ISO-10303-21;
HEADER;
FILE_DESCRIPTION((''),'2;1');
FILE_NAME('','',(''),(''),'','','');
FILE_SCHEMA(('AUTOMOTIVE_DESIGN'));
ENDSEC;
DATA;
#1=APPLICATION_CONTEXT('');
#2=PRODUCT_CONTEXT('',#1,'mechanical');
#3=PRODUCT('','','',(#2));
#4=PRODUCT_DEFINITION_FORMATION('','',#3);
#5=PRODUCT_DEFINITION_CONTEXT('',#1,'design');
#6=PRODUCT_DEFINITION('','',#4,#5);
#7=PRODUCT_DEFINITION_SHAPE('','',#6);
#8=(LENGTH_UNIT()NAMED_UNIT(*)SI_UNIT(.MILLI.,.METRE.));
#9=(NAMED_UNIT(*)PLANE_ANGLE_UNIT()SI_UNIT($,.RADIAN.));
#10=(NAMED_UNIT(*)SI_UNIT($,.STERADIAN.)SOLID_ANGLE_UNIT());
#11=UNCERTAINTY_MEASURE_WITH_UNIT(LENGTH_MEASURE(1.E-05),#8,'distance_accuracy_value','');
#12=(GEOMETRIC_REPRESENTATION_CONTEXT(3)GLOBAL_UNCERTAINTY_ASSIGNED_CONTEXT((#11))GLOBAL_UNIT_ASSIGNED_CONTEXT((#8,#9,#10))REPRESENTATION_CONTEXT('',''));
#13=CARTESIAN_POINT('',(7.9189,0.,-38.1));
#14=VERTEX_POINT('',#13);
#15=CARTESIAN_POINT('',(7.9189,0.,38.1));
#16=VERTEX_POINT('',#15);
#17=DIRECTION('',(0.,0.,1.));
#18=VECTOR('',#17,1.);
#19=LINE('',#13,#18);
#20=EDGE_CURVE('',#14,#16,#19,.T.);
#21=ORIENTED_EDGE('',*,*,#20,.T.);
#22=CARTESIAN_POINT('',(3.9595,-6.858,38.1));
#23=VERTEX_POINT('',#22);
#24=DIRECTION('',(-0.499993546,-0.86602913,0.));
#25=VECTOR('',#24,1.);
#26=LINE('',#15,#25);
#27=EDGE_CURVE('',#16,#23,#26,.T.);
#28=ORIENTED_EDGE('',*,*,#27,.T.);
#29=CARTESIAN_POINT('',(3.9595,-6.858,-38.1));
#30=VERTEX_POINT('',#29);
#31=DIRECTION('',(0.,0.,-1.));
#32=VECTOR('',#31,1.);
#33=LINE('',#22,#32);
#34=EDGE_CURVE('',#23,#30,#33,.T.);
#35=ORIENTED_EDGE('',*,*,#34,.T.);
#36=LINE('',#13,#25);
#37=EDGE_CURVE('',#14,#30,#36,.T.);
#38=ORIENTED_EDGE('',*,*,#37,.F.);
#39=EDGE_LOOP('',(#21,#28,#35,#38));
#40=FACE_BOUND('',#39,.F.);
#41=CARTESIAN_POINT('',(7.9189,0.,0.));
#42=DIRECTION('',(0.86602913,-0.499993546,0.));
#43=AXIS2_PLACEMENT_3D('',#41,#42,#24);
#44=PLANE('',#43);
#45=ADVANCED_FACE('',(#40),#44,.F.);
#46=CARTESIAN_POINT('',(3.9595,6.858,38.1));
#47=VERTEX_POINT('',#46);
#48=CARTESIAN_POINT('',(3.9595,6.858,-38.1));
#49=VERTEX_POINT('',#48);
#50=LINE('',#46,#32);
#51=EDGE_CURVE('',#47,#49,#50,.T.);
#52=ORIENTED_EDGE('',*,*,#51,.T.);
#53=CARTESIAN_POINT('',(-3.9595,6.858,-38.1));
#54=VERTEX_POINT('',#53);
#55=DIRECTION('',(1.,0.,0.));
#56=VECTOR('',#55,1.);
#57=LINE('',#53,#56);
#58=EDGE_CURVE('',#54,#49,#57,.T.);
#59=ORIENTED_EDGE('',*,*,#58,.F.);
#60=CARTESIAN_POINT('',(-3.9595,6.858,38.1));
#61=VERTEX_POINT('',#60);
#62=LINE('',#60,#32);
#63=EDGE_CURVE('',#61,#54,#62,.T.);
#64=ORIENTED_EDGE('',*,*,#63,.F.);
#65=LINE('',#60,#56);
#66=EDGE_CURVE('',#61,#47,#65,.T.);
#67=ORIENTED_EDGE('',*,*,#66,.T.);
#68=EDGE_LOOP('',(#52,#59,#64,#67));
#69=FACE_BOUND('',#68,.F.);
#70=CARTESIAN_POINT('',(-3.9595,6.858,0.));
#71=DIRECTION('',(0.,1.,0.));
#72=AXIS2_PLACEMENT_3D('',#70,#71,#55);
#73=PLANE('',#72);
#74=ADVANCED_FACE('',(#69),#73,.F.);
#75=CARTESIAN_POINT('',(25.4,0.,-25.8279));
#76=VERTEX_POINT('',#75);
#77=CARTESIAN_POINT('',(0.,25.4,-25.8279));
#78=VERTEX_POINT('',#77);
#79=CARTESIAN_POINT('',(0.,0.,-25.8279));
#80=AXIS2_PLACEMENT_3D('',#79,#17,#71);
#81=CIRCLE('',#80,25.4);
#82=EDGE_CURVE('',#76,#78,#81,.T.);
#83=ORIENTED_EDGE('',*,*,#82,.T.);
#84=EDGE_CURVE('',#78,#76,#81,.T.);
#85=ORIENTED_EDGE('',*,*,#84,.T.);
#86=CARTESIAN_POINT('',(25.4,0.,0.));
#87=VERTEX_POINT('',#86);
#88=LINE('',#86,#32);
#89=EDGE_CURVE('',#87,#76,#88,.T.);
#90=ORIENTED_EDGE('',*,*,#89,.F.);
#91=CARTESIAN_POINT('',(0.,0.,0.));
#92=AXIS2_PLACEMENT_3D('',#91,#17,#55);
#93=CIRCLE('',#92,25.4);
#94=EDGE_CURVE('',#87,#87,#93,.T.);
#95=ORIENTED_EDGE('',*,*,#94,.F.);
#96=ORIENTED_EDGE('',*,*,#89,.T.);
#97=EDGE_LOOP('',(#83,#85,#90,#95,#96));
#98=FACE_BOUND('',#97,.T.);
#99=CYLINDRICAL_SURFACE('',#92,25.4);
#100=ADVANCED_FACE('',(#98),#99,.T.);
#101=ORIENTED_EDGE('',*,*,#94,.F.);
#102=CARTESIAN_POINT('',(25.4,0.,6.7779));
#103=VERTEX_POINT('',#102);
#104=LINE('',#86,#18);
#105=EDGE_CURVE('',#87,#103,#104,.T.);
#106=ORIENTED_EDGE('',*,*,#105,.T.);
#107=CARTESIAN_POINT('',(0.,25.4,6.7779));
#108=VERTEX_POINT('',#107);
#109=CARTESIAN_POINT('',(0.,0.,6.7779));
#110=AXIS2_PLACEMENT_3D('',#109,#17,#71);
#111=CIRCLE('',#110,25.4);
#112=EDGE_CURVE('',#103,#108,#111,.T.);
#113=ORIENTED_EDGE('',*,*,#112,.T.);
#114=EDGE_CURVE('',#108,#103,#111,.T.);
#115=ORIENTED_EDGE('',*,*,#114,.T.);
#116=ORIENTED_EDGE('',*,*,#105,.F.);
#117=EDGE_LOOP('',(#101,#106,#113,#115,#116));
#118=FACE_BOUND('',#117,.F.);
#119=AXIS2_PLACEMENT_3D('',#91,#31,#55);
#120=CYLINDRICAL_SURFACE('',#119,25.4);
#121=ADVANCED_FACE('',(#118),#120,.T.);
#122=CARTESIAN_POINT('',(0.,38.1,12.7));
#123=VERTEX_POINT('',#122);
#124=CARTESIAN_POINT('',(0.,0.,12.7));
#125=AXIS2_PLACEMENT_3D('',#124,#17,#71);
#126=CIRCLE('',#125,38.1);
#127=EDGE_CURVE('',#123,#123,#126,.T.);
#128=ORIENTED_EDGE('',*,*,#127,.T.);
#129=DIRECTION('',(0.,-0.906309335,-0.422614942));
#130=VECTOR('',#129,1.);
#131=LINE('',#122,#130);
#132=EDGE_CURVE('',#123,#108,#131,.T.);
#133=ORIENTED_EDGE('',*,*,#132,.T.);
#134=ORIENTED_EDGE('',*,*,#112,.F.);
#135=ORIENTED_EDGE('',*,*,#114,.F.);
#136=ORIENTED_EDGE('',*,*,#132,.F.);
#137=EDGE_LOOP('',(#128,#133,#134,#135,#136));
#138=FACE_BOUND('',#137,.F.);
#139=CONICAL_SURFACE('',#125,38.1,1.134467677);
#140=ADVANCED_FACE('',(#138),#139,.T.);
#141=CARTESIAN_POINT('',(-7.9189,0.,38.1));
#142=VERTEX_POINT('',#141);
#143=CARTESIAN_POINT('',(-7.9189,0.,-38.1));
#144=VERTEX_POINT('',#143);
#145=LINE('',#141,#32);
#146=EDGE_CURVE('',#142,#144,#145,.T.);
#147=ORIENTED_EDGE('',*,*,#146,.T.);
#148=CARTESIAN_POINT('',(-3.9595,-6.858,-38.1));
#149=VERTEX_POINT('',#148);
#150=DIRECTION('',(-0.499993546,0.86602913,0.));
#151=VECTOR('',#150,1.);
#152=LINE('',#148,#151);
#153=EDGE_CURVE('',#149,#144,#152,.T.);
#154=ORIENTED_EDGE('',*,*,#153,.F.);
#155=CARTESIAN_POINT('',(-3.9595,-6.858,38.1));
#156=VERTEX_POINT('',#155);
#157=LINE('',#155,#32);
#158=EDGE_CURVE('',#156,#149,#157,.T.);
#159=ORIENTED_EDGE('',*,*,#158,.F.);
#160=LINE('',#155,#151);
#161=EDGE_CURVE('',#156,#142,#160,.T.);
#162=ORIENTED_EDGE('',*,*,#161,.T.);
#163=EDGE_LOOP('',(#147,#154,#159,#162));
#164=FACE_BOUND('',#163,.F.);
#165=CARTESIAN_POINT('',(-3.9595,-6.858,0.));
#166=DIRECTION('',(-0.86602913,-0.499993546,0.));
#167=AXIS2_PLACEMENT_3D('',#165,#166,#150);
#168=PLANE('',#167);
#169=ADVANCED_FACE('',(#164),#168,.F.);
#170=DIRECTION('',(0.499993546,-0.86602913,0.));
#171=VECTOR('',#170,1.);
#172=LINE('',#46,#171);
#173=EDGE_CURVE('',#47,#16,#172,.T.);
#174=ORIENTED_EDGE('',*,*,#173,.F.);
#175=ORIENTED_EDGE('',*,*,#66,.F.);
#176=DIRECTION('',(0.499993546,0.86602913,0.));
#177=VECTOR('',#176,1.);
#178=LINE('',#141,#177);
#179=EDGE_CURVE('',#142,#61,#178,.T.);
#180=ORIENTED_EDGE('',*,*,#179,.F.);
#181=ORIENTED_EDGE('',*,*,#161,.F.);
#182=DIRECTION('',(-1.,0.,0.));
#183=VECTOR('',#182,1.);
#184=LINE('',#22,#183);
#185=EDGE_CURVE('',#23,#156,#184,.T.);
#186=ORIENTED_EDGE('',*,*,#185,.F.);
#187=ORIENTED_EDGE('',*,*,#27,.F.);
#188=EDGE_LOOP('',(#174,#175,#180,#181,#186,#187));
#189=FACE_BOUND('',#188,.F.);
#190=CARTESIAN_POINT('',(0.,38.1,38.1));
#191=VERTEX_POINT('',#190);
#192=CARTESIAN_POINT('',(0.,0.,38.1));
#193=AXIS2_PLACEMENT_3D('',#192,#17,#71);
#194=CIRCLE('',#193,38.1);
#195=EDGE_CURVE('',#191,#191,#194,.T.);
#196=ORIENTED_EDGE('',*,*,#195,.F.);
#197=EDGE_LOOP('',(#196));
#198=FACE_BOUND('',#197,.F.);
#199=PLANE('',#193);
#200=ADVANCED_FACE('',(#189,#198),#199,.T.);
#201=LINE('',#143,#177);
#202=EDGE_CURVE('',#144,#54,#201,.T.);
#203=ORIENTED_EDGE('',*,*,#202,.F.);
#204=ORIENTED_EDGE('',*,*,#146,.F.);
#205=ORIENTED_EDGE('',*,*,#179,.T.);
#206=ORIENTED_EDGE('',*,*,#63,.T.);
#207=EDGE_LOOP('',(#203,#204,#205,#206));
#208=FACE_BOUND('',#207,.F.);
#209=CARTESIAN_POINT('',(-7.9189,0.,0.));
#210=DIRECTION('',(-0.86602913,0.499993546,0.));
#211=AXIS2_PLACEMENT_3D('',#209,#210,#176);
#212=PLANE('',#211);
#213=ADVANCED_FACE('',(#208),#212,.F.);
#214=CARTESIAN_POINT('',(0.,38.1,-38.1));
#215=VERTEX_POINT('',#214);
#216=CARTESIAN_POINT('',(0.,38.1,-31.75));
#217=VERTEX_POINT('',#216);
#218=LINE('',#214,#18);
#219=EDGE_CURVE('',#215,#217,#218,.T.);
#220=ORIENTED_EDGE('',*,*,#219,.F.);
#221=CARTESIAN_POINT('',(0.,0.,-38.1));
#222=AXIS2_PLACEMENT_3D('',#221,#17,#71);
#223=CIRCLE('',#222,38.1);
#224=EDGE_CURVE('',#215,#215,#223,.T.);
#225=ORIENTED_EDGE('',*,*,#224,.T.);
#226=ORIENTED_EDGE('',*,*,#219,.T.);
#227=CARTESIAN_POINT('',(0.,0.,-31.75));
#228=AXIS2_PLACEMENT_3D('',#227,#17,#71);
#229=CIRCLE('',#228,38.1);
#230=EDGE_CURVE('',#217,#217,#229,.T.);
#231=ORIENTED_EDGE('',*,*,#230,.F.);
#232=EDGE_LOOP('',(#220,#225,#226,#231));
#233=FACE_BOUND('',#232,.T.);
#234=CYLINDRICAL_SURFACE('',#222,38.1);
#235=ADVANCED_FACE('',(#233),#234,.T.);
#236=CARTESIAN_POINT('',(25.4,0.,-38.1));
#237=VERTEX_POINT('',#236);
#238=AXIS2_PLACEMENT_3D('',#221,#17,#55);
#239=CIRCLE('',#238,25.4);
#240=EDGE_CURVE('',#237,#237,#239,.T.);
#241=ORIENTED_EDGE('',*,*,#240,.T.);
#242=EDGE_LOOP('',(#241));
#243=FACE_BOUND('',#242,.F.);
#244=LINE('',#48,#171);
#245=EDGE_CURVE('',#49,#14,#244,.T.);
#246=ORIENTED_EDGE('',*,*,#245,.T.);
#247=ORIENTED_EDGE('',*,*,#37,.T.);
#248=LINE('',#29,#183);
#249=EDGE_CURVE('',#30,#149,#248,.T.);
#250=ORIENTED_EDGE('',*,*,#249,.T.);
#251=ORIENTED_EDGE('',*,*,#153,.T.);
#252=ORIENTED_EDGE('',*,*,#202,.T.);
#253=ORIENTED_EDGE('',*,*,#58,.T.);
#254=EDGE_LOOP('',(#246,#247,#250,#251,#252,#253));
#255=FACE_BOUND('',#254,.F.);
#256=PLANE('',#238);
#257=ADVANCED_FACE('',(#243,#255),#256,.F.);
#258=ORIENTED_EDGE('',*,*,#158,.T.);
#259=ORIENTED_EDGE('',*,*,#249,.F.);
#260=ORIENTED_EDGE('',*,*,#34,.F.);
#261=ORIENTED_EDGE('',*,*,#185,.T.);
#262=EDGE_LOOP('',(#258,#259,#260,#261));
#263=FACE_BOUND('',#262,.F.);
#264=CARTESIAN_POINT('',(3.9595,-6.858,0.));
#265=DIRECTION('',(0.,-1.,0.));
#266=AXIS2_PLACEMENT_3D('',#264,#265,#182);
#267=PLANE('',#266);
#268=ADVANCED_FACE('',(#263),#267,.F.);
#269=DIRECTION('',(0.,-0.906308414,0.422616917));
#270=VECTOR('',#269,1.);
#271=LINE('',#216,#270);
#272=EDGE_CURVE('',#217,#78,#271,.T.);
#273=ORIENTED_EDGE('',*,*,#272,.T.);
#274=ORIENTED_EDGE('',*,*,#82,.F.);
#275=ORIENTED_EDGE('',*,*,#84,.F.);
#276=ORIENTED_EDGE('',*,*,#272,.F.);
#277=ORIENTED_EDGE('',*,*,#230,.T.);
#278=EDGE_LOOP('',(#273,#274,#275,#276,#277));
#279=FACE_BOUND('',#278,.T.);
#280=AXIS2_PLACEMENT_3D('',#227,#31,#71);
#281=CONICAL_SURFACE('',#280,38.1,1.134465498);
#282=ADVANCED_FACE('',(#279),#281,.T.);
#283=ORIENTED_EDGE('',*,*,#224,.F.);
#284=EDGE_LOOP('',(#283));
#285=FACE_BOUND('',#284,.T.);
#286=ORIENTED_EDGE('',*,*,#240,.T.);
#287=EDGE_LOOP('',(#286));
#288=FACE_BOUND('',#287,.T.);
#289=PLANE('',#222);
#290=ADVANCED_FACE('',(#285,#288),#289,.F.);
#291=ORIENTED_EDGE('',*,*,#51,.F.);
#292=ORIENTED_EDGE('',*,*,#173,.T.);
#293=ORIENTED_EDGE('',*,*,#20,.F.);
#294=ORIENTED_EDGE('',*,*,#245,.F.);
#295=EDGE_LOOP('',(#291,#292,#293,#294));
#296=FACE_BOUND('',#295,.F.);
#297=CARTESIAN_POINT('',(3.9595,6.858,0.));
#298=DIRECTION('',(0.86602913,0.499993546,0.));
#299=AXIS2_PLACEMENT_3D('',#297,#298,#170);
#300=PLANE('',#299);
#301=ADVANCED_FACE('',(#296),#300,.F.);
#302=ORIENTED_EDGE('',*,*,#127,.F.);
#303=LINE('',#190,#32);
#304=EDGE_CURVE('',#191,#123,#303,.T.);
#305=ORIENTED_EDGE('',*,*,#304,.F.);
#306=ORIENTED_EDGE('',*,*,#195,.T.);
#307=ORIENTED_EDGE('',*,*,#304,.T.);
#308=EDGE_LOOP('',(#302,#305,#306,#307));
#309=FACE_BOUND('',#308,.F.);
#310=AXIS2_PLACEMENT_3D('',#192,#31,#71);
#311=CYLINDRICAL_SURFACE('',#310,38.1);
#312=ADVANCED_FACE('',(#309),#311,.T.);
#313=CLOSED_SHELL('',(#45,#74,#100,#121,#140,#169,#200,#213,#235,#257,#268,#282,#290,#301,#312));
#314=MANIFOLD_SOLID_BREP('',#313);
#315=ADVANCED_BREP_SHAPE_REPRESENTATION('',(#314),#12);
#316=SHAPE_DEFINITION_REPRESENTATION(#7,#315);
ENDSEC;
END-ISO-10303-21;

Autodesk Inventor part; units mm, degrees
ref_plane "YZ Plane" through (0, 0, 0) normal (1, 0, 0) x (0, 1, 0)
ref_plane "XZ Plane" through (0, 0, 0) normal (0, 1, 0) x (-1, 0, 0)
ref_plane "XY Plane" through (0, 0, 0) normal (0, 0, 1) x (1, 0, 0)
sketch "Sketch1" plane through (0, 0, 0) normal (0, 0, 1) x (1, 0, 0)
  circle A0 centre (0, 0) radius 25.4
  line L0 (7.9189, 0) -> (3.9595, -6.858)
  line L1 (3.9595, -6.858) -> (-3.9595, -6.858)
  line L2 (-3.9595, -6.858) -> (-7.9189, 0)
  line L3 (-7.9189, 0) -> (-3.9595, 6.858)
  line L4 (-3.9595, 6.858) -> (3.9595, 6.858)
  line L5 (3.9595, 6.858) -> (7.9189, 0)
  dimension "d0" = 50.8
  dimension "d1" = 13.716
extrude "Extrusion1" add sketch "Sketch1" along normal mid plane 76.2
sketch "Sketch3" plane through (0, 0, 0) normal (1, 0, 0) x (0, 1, 0)
  line L0 (25.4, 38.1) -> (-25.4, 38.1) projected
  line L1 (25.4, 38.1) -> (38.1, 38.1)
  line L2 (25.4, -38.1) -> (25.4, 38.1) projected
  line L3 (0, -53.34) -> (0, 53.34) projected
  line L4 (38.1, 38.1) -> (38.1, 12.7)
  line L5 (38.1, 12.7) -> (24.2886, 6.2597)
  line L6 (24.2886, 6.2597) -> (25.4, 6.7779)
  line L7 (25.4, -38.1) -> (25.4, 38.1) projected
  point P0 (0, 0)
  point P1 (25.4, 19.4779)
  point P2 (25.4, 6.7779)
  dimension "d9" = 12.7
  dimension "d12" = 25.4
  dimension "d13" = 115
revolve "Revolution1" add sketch "Sketch3" angle 360 about axis through (0, 0, -10) along (0, 0, 1)
sketch "Sketch4" plane through (0, 0, 0) normal (1, 0, 0) x (0, 1, 0)
  line L0 (25.4, -38.1) -> (25.4, 6.7779) projected
  line L1 (-25.4, -38.1) -> (25.4, -38.1) projected
  line L2 (25.4, -38.1) -> (38.1, -38.1)
  line L3 (38.1, -38.1) -> (38.1, -31.75)
  line L4 (38.1, -31.75) -> (24.8707, -25.5811)
  line L5 (0, -46.9275) -> (0, 14.8652) projected
  line L6 (24.8707, -25.5811) -> (25.4, -25.8279)
  line L7 (25.4, -38.1) -> (25.4, 6.7779) projected
  point P0 (0, 0)
  point P1 (25.4, -25.8279)
  dimension "d14" = 12.7
  dimension "d15" = 6.35
  dimension "d16" = 115
revolve "Revolution2" add sketch "Sketch4" angle 360 about axis through (0, 0, -10) along (0, 0, 1)
properties part number "pulley"
